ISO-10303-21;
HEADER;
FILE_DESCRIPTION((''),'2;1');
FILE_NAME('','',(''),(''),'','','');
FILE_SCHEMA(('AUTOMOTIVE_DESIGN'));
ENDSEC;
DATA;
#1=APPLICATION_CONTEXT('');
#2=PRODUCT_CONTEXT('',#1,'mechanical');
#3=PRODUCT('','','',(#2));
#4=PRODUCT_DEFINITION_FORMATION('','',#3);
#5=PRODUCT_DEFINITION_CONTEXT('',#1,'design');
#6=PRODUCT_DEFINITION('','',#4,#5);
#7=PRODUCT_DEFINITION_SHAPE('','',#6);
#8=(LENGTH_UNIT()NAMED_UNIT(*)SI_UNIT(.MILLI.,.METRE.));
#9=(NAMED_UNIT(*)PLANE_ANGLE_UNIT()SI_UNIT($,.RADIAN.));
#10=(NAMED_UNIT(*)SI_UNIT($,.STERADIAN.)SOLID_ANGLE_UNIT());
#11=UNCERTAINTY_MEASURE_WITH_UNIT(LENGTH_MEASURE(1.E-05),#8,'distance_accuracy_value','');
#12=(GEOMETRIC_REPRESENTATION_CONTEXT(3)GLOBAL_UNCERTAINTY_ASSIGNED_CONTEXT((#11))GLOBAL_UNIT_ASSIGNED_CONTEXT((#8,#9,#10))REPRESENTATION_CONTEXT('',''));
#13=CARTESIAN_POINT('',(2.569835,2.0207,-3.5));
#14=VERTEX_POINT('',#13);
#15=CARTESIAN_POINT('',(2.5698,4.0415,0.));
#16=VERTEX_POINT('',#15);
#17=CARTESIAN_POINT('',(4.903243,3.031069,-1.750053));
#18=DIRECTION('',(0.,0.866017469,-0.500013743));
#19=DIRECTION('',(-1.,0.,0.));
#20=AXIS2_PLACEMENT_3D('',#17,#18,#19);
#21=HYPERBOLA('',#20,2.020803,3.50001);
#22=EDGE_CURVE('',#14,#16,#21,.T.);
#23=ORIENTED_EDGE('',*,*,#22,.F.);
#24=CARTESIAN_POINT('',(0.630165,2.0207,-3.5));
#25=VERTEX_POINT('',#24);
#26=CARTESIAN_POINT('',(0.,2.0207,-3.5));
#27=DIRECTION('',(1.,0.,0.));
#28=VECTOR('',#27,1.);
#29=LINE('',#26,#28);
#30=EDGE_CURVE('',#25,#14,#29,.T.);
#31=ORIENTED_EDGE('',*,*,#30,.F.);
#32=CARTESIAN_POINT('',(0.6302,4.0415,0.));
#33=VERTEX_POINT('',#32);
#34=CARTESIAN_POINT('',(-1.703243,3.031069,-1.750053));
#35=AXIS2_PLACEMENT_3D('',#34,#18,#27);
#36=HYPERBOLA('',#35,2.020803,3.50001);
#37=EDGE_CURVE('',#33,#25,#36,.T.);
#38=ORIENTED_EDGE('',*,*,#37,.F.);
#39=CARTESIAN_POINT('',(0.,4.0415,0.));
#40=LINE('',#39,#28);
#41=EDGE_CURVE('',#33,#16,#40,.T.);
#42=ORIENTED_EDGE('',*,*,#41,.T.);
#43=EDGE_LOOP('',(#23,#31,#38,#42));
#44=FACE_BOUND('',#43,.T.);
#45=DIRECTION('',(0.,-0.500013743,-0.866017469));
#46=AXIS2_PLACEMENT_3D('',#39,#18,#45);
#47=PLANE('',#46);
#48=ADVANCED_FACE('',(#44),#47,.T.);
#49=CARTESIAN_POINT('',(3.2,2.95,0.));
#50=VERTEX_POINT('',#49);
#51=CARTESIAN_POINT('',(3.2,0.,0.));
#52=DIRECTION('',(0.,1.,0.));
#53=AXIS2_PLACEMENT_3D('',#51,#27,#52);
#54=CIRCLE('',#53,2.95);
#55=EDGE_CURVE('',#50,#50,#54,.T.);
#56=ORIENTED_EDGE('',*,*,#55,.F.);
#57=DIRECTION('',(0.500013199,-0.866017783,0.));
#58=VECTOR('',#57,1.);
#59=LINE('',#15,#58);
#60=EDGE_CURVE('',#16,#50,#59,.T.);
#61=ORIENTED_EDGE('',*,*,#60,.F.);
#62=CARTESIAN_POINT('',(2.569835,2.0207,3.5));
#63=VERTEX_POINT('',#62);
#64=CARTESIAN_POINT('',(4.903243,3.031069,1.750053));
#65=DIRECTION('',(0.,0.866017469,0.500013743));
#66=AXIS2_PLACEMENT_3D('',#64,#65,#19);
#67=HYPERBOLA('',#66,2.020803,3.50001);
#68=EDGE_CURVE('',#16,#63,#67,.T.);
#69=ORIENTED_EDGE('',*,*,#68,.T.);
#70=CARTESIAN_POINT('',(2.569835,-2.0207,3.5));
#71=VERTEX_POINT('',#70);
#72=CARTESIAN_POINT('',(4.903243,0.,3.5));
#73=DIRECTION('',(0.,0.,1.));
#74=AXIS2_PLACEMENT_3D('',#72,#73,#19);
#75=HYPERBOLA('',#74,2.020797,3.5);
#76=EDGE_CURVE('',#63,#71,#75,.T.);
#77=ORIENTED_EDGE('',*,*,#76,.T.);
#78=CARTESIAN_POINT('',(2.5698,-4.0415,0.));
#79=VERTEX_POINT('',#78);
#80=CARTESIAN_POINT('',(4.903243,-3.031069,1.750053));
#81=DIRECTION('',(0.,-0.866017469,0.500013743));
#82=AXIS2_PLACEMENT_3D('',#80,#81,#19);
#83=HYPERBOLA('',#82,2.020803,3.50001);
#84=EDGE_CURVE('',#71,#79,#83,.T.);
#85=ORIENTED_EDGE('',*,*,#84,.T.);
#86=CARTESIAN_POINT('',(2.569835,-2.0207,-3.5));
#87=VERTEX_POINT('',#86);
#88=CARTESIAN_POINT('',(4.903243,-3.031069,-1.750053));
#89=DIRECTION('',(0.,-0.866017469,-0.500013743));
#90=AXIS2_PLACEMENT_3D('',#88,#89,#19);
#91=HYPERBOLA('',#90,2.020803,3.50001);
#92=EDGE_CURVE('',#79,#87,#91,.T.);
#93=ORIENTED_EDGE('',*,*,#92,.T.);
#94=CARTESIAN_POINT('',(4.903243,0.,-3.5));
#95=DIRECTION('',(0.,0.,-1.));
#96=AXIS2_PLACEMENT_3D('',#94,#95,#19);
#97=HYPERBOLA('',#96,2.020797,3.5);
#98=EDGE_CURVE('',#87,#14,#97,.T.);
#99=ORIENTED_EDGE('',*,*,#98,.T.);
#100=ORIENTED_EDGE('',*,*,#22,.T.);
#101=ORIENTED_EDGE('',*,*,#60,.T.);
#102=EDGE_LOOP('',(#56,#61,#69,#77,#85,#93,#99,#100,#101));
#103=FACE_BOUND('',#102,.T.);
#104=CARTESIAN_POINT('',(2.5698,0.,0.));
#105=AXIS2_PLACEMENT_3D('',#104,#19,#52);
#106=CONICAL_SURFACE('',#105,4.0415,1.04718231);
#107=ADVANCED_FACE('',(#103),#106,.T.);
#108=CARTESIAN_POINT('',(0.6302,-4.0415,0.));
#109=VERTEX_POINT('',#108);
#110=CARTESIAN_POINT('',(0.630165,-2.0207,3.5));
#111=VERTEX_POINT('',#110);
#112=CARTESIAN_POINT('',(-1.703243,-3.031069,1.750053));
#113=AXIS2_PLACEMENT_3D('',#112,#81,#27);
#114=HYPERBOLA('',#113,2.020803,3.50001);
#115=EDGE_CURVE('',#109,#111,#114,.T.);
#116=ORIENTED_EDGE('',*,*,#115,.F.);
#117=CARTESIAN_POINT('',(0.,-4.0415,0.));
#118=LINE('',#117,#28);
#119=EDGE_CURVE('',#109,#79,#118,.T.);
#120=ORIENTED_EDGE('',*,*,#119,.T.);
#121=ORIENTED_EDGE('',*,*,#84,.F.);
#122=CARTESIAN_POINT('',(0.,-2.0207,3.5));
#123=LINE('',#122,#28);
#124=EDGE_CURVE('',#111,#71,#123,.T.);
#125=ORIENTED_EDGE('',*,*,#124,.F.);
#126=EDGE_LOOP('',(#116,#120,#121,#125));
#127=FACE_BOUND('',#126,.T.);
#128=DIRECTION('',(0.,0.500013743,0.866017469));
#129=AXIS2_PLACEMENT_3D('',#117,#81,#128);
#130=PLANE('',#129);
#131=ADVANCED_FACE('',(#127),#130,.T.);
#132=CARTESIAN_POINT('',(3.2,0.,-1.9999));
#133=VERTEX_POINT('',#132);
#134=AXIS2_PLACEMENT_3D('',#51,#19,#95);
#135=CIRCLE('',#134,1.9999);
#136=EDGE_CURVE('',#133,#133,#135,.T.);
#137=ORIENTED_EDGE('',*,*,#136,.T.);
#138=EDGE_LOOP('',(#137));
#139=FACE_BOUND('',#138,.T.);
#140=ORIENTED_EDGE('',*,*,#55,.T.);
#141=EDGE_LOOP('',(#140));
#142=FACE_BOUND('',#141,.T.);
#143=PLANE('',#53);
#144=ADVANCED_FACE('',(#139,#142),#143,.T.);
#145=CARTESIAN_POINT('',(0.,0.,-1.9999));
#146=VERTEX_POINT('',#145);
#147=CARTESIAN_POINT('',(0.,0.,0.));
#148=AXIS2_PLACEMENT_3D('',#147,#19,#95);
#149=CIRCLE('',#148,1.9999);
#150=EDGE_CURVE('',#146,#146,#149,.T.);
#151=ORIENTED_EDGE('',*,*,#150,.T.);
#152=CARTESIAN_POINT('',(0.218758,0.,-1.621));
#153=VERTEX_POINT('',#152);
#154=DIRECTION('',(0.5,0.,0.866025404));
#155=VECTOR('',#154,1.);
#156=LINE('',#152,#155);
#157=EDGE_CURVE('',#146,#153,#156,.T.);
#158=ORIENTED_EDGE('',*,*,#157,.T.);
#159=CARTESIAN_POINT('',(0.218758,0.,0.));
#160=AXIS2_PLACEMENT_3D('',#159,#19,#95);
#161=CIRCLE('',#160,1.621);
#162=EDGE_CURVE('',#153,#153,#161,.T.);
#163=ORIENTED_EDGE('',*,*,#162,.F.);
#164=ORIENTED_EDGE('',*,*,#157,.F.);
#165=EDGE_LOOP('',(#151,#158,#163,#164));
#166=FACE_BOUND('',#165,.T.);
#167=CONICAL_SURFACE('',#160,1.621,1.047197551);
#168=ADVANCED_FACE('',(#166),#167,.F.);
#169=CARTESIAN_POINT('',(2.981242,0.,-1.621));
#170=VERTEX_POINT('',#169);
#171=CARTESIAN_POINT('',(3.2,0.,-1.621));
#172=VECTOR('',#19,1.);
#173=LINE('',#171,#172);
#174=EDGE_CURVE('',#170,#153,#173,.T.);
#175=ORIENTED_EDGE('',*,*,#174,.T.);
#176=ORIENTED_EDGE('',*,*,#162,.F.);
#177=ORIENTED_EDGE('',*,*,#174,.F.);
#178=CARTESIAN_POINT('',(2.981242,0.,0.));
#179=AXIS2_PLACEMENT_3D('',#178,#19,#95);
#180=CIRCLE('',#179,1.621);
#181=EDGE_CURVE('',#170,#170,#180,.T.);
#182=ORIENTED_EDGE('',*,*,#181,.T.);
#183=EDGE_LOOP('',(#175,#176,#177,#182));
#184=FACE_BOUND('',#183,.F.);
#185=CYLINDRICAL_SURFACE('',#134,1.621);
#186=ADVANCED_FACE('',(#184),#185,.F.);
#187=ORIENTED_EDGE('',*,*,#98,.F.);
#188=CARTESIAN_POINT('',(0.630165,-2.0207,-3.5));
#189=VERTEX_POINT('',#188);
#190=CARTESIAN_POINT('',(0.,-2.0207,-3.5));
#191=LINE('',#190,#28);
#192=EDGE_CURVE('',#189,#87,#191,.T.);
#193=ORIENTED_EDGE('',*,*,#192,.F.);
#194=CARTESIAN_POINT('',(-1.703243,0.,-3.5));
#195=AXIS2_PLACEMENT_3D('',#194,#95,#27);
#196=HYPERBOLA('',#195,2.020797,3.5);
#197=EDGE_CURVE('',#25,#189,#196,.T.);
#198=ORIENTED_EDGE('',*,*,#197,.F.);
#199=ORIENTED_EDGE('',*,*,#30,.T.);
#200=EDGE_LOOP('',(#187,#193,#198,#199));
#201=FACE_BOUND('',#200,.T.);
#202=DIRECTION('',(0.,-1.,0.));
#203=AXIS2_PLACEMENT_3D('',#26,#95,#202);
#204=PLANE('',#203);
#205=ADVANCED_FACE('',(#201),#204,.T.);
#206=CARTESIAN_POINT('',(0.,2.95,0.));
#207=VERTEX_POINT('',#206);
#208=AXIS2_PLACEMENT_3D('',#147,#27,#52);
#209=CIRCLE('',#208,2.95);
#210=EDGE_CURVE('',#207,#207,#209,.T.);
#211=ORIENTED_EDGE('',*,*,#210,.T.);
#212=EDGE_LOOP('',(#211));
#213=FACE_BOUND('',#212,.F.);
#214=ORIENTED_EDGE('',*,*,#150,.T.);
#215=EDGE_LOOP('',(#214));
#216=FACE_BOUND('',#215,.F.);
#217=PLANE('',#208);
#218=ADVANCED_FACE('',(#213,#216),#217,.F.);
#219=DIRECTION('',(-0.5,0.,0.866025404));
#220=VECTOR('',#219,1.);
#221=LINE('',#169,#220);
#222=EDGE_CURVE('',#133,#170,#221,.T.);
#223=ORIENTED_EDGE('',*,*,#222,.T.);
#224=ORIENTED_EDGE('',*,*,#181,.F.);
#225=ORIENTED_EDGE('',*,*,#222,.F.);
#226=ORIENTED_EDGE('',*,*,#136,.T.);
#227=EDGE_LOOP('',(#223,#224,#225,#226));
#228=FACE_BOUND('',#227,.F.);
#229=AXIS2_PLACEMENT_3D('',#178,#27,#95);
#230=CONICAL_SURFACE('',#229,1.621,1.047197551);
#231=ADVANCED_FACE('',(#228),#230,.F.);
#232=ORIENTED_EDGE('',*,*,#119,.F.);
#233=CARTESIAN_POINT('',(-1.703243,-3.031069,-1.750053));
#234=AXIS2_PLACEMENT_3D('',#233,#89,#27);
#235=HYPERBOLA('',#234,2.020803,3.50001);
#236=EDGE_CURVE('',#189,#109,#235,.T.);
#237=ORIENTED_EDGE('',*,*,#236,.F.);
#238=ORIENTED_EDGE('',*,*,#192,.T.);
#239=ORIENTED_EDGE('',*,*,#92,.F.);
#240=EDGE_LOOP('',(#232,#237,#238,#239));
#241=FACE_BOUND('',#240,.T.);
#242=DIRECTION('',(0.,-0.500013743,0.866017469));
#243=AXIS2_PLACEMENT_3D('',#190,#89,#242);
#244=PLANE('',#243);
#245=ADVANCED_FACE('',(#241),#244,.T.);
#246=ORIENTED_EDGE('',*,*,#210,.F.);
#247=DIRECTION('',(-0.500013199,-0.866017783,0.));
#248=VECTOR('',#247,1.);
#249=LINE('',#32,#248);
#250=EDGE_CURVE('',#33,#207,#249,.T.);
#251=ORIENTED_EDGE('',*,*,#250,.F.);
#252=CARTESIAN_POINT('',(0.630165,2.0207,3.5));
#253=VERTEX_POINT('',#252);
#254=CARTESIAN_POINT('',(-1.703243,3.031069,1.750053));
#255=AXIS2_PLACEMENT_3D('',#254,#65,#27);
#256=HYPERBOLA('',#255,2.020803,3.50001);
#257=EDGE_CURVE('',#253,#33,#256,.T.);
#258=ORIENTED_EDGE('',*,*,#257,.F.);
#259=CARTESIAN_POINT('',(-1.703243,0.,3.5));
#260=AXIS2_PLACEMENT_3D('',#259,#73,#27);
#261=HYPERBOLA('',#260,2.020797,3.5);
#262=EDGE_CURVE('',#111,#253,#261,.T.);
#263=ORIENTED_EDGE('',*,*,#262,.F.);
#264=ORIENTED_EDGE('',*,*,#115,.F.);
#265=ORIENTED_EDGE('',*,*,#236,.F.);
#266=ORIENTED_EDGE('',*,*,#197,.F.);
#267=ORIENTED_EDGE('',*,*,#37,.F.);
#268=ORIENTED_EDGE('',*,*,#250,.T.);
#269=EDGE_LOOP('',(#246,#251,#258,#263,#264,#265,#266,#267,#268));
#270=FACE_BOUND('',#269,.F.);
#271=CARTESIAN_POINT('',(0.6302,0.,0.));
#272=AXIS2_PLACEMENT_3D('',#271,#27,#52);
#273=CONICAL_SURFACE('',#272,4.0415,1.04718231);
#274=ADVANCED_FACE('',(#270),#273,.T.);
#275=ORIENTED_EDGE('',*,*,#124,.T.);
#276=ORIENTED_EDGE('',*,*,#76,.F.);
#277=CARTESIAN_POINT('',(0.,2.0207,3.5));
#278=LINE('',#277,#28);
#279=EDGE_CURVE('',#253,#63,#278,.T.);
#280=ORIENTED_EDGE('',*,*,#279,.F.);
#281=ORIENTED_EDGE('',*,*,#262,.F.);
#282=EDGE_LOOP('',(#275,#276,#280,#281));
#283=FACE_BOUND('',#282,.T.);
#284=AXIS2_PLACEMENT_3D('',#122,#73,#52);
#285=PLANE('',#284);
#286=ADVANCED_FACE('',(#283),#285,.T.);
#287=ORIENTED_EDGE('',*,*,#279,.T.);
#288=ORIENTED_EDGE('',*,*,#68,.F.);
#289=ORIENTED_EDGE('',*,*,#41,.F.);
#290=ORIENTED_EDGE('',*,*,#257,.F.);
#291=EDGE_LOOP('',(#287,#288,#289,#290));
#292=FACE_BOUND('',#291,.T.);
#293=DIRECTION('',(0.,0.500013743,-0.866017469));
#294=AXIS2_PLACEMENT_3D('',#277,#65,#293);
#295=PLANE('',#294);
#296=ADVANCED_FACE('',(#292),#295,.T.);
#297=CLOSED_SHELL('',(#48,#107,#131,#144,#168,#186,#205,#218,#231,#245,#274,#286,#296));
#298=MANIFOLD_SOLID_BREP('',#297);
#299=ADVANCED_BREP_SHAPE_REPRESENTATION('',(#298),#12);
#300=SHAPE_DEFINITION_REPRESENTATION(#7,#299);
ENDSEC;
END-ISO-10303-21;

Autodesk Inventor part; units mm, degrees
ref_plane "YZ Plane" through (0, 0, 0) normal (1, 0, 0) x (0, 1, 0)
ref_plane "XZ Plane" through (0, 0, 0) normal (0, 1, 0) x (-1, 0, 0)
sketch "Sketch1" plane through (0, 0, 0) normal (1, 0, 0) x (0, 1, 0)
  line L0 (-4.0415, 0) -> (-2.0207, 3.5)
  line L1 (-2.0207, 3.5) -> (2.0207, 3.5)
  line L2 (2.0207, 3.5) -> (4.0415, 0)
  line L3 (4.0415, 0) -> (2.0207, -3.5)
  line L4 (2.0207, -3.5) -> (-2.0207, -3.5)
  line L5 (-2.0207, -3.5) -> (-4.0415, 0)
  point P0 (0, 0)
  point P1 (0, 0)
  dimension "d0" = 8.0829
extrude "Body" add sketch "Sketch1" along normal blind 3.2
sketch "Sketch2" plane through (0, 0, 0) normal (0, 0, 1) x (1, 0, 0)
  line L0 (0, 2.0207) -> (0, 4.0415) projected
  line L1 (0, 4.0415) -> (3.2, 4.0415) projected
  line L2 (3.2, 2.0207) -> (3.2, 4.0415) projected
  line L3 (-0.64, 0) -> (3.84, 0) projected
  line L4 (0.6302, 4.0415) -> (0, 2.95)
  line L5 (2.5698, 4.0415) -> (3.2, 2.95)
  dimension "d3" = 30
  dimension "d4" = 30
  dimension "d5" = 5.9
  dimension "d6" = 5.9
revolve "Chamfer1" cut sketch "Sketch2" angle 360 about axis through (-10, 0, 0) along (1, 0, 0)
sketch "Sketch3" plane through (3.2, 0, 0) normal (1, 0, 0) x (0, 0, -1)
  arc A0 (-0.625, -1.0825) -> (0.625, -1.0825) centre (0, 0) ccw projected
hole "Thread" at (3.2, 0, 0) direction (-1, 0, 0) diameter 3.242 end through all thread size "M4x0.7" class "6H" standard "ISO Metric profile"
chamfer "Chamfer2" distance 0.3789 angle 30 1 edges at (3.2, 0, 1.621) measured on face at (3.2, 2.4745, -0.3005)
chamfer "Chamfer3" distance 0.3789 angle 30 1 edges at (0, 0, 1.621) measured on face at (0, 2.4745, -0.3005)
ref_plane "Work Plane1" through (-7.9612, 0, 0) normal (0, -0.866, -0.5) x (1, 0, 0)
equation "\"d0\" = 1.1547 * SW"
equation "\"d1\" = KOH"
equation "\"d3\" = ANG1"
equation "\"d4\" = ANG2"
equation "\"d5\" = SW0"
equation "\"d6\" = SW01"
equation "\"d8\" = -0.5 * GD1 + 0.5 * NND"
equation "\"d40\" = -0.5 * GD1 + 0.5 * NND"
equation "\"d10\" = -0.5 * GD1 + 0.5 * NND"
equation "\"d41\" = -0.5 * GD1 + 0.5 * NND"
equation "\"ANG1\" = 30deg"
equation "\"ANG2\" = 30deg"
equation "\"NND\" = 4"
equation "\"KOH\" = 3.2"
equation "\"SW\" = 7"
equation "\"SW0\" = 5.9"
equation "\"SW01\" = 5.9"
equation "\"GUL\" = 0.541266 * PTC"
equation "\"THREADDIA\" = 4"
equation "\"TOA\" = 30deg"
equation "\"PTC\" = 0.7"
equation "\"E0\" = 1.155 * SW"
equation "\"GAL\" = 0.541266 * PTC"
equation "\"GD1\" = 3.242228"
properties part number "ISO 4032 - M4" material "Stainless Steel, 440C"
